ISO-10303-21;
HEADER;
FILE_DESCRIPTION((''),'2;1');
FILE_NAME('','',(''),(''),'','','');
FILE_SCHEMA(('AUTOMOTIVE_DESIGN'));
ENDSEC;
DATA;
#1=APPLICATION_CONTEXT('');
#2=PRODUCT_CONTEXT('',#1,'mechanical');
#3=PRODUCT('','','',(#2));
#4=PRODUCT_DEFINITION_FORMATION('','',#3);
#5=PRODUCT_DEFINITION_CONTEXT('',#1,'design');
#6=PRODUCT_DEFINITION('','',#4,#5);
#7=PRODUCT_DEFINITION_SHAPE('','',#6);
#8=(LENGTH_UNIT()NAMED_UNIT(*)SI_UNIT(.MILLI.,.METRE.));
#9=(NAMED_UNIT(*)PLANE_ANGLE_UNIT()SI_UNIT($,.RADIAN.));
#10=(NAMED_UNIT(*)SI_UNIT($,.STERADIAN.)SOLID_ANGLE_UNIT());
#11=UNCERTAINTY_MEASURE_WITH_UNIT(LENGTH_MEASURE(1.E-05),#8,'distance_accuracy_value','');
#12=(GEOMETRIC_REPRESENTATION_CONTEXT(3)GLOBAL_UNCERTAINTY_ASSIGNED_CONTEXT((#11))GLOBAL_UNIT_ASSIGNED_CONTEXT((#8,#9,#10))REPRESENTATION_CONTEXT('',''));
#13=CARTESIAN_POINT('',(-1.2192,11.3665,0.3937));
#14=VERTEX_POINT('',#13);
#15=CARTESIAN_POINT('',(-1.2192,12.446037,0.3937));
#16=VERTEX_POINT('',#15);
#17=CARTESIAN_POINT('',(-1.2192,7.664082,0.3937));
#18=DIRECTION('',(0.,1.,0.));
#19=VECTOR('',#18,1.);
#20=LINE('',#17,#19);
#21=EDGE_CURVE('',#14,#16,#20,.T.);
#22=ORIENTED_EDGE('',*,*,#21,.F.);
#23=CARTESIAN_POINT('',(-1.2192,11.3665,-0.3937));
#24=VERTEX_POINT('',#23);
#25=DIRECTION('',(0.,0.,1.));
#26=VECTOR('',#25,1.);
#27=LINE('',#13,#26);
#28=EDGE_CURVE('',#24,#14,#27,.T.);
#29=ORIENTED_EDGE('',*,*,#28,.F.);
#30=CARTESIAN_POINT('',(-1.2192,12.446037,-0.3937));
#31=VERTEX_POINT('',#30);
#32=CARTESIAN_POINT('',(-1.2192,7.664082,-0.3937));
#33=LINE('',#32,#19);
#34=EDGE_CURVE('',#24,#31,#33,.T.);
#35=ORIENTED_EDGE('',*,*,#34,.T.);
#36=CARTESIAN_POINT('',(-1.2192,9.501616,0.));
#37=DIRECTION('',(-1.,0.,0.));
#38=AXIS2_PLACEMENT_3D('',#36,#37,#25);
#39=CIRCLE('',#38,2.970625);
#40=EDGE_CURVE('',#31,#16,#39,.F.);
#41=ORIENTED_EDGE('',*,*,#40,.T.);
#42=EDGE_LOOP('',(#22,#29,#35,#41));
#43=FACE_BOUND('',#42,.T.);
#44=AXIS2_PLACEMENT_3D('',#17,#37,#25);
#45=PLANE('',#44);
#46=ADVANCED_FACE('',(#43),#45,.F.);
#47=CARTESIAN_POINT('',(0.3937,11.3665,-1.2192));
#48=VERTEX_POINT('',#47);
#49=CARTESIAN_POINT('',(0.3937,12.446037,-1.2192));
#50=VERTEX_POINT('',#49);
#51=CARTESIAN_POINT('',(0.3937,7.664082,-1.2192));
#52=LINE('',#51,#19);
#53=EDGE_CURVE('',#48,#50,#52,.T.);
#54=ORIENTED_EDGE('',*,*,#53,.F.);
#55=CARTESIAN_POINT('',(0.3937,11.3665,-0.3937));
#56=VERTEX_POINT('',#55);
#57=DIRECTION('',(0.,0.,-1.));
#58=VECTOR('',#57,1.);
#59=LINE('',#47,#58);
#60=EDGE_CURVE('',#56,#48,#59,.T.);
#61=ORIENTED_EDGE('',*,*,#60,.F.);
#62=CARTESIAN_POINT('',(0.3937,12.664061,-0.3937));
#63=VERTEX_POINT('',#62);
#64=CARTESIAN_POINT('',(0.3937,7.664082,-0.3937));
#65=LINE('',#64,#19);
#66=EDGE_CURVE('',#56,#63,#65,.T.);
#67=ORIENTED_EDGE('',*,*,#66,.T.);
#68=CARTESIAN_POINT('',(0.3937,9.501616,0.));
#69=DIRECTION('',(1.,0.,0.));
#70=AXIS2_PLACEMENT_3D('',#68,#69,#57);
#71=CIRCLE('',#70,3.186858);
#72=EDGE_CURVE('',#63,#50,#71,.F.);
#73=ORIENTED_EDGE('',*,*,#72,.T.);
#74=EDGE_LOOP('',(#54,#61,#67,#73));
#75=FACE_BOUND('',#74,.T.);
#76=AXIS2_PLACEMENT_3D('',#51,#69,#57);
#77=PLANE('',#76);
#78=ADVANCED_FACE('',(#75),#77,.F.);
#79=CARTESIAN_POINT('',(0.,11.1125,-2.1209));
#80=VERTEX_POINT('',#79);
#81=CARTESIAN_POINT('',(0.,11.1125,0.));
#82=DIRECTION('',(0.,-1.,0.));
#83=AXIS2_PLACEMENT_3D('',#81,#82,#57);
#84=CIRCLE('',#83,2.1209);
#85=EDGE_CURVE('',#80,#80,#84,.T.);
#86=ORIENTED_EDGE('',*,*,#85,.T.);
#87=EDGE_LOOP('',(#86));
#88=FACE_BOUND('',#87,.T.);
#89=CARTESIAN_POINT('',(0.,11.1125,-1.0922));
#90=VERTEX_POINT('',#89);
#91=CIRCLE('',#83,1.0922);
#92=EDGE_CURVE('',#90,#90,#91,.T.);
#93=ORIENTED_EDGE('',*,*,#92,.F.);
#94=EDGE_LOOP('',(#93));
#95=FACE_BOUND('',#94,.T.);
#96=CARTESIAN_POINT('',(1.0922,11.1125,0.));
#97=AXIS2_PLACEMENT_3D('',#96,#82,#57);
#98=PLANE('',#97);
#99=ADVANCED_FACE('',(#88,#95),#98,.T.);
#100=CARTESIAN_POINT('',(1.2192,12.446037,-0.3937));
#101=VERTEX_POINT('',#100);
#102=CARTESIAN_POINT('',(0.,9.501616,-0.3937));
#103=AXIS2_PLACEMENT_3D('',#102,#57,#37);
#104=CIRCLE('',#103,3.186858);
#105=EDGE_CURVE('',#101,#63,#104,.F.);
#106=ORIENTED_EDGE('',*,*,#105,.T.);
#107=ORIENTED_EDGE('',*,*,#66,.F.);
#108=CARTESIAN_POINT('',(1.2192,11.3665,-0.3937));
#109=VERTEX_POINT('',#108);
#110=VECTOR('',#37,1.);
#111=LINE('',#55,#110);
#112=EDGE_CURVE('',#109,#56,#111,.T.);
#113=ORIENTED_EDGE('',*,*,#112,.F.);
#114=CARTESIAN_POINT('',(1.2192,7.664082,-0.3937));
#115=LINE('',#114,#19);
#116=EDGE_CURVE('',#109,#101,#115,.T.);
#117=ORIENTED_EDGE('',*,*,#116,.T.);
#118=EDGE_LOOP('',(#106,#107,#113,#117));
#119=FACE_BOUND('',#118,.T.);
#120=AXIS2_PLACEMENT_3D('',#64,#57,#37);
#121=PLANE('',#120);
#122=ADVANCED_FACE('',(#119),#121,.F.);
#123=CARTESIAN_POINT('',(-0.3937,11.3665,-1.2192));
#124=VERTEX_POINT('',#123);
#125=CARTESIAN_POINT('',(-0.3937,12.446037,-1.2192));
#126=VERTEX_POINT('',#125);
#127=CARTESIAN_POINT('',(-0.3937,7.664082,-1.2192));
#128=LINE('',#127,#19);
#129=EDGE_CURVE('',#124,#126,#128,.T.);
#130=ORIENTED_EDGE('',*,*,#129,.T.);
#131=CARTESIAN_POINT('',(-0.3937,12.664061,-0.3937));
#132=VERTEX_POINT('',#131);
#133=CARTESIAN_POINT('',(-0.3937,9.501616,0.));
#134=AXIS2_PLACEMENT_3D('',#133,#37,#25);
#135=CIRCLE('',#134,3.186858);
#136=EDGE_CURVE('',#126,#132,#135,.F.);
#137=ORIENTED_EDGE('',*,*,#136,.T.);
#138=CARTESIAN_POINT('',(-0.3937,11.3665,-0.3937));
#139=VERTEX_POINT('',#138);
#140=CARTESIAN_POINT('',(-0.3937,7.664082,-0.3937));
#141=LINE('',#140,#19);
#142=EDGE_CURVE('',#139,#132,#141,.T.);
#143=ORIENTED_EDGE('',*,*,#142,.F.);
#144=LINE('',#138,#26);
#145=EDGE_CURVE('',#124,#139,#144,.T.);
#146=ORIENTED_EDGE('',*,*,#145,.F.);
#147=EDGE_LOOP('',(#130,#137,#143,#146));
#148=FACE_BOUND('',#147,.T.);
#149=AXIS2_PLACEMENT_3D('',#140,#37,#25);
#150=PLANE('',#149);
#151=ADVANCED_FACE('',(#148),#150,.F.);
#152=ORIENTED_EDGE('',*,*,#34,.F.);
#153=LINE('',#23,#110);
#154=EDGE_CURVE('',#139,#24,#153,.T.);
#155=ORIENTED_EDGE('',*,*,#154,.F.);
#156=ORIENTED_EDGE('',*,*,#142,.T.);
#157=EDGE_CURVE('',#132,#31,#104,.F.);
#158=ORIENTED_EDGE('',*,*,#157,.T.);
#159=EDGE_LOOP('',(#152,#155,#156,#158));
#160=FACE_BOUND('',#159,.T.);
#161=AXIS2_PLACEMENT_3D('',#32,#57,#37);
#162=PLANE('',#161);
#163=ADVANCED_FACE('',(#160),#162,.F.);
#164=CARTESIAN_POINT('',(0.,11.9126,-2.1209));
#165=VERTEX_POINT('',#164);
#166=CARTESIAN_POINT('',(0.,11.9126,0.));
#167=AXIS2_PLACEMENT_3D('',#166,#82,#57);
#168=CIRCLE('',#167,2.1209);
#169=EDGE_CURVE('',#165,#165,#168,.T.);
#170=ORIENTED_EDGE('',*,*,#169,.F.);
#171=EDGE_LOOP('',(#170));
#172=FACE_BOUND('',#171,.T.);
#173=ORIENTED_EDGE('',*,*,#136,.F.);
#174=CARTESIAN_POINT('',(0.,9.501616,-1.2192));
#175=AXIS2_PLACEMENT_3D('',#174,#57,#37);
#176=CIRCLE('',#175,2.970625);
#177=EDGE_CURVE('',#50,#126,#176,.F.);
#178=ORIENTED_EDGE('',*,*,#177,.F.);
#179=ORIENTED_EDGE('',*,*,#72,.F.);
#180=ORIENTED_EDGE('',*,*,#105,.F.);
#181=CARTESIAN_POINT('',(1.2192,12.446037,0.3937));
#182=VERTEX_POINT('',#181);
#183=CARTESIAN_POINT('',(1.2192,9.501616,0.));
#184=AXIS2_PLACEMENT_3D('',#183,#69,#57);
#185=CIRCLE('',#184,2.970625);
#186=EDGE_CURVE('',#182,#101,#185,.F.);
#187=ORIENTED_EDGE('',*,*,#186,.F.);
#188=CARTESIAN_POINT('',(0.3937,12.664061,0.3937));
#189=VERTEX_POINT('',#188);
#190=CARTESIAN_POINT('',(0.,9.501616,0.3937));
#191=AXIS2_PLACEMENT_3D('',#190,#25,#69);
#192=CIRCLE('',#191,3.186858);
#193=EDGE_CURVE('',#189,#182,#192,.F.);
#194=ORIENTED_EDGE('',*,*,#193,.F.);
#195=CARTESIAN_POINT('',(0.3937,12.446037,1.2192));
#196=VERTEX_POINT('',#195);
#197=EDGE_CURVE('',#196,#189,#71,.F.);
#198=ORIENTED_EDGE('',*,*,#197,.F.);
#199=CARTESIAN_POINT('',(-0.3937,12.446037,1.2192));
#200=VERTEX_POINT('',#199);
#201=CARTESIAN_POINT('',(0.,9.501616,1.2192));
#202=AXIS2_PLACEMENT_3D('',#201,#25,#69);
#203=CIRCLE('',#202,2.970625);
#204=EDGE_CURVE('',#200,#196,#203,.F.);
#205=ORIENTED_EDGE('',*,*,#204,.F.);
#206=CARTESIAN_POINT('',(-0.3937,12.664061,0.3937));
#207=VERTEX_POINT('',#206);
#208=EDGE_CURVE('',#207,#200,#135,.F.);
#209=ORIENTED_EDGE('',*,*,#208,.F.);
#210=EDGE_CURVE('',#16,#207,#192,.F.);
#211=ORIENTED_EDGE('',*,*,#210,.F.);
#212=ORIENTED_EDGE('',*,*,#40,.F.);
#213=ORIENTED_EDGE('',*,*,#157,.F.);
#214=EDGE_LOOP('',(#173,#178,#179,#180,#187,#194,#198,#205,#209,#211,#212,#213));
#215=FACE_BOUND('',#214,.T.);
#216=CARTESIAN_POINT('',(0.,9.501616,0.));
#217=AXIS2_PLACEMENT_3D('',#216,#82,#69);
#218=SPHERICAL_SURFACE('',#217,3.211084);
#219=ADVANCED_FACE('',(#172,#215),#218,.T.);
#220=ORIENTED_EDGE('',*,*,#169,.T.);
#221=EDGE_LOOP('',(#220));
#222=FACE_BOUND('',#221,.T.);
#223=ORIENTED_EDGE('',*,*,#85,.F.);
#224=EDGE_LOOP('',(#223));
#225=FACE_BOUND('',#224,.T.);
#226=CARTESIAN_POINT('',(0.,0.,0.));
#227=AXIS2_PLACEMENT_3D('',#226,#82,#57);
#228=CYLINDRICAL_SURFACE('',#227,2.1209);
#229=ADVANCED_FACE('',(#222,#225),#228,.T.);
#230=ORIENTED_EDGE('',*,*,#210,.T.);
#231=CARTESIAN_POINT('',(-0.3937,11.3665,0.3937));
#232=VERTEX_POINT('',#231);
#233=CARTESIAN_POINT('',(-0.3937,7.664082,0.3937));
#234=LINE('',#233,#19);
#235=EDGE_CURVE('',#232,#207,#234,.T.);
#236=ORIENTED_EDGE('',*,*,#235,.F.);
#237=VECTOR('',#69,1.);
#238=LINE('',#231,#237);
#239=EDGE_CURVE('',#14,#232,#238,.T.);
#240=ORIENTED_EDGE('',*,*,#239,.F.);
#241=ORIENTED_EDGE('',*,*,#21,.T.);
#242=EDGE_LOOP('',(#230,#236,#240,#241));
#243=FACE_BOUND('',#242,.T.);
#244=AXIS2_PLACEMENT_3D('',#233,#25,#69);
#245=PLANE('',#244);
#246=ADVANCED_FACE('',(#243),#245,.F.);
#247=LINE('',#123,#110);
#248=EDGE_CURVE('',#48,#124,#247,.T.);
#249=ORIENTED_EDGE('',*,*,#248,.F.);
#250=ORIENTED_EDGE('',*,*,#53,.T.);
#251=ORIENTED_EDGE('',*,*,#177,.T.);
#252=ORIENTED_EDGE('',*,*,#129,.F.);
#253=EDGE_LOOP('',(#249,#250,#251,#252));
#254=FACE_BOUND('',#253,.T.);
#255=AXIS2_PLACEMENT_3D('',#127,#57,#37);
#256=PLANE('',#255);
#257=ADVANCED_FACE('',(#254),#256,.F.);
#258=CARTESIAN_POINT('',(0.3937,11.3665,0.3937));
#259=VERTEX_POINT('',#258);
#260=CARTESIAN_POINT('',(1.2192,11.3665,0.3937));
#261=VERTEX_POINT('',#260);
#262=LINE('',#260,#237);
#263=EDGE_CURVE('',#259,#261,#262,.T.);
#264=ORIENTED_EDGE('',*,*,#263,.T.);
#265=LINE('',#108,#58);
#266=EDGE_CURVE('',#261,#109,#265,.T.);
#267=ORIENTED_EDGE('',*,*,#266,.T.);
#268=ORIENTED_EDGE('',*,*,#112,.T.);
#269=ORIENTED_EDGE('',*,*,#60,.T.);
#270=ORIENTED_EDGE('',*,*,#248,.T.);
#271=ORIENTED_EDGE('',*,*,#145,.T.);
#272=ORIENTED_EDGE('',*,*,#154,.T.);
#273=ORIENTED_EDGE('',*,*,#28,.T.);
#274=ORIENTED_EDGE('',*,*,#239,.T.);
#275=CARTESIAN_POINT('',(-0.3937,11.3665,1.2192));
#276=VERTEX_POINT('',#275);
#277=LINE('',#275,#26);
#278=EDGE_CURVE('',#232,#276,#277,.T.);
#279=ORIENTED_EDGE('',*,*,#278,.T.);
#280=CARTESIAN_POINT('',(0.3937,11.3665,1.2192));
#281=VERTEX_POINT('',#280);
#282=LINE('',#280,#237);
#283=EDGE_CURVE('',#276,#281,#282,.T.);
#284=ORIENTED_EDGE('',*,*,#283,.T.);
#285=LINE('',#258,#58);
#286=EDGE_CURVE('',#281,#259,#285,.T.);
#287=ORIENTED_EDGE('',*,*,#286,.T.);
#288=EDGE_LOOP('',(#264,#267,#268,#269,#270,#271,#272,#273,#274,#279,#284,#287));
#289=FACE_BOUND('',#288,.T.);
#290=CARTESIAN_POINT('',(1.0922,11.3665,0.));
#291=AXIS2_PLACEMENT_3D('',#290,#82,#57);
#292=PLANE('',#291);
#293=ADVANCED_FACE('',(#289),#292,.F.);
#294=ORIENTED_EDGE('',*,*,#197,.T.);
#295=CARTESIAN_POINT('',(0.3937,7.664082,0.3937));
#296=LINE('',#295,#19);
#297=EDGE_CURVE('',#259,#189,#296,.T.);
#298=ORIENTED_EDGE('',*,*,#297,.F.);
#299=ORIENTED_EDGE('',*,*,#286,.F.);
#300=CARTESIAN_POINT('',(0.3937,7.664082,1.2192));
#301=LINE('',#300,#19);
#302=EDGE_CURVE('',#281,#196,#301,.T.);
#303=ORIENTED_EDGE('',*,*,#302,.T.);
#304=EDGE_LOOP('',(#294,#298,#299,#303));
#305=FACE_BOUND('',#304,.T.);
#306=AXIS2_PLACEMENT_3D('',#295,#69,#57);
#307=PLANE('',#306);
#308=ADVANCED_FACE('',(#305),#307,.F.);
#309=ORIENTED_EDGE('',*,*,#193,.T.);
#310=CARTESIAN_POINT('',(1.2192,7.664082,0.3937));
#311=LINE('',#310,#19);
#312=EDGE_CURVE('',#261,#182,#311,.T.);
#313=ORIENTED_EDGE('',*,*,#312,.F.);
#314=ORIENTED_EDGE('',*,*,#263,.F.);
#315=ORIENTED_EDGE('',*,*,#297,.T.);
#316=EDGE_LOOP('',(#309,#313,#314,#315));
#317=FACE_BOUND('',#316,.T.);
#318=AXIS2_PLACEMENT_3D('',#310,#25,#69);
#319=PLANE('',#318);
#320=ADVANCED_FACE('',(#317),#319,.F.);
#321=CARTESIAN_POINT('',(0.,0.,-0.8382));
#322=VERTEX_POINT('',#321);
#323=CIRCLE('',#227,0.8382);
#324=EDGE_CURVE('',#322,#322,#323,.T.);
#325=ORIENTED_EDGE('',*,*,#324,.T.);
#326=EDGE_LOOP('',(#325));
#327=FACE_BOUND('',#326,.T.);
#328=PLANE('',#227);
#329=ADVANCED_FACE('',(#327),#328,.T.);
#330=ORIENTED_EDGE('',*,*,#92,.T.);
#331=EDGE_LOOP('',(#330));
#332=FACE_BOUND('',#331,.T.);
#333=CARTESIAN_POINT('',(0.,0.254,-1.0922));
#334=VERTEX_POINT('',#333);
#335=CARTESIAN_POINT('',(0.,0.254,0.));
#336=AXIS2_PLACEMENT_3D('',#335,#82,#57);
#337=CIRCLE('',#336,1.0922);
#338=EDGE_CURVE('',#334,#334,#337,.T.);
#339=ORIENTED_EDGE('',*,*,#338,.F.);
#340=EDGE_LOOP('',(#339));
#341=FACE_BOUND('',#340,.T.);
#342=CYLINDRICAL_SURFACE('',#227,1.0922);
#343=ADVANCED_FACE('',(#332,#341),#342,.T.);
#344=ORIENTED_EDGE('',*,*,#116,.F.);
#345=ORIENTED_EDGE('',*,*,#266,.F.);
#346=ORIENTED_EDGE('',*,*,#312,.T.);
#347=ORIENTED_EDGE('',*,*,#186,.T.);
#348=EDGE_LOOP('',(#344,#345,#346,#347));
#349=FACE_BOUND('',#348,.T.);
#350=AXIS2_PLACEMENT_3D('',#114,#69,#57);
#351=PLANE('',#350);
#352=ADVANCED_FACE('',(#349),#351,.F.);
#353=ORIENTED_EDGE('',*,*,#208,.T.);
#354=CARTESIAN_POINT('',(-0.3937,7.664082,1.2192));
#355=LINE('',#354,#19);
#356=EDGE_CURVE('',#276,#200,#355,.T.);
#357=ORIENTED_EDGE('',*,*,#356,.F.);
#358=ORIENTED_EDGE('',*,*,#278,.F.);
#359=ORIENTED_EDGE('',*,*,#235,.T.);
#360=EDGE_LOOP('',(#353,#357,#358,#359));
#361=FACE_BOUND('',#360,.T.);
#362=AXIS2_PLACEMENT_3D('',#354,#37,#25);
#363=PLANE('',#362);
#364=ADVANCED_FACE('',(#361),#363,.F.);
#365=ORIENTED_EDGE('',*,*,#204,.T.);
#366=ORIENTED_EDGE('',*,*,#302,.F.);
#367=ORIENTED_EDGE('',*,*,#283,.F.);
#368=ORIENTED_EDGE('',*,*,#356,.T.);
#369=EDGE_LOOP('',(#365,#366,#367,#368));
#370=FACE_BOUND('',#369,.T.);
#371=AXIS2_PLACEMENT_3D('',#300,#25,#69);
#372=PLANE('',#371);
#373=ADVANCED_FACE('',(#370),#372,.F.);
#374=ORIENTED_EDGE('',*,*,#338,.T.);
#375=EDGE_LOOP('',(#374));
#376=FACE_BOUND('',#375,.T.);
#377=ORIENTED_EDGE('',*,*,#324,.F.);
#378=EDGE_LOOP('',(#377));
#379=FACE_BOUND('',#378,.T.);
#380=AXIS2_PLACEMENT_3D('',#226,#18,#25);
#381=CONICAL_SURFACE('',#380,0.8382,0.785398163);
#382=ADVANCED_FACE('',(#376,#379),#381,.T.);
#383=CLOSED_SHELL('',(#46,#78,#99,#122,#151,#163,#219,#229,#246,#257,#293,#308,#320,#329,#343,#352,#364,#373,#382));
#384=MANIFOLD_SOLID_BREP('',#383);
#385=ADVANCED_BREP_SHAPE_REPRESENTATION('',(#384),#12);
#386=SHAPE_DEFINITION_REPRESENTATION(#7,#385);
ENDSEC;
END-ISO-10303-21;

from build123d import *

# Parameters (mm, degrees)
CUT_EXTRUDE1_DEPTH = 1.3462


with BuildPart() as part:
    # Sketch1 → Revolve1 (revolve)
    with BuildSketch(Plane.XY, mode=Mode.PRIVATE) as revolve1_sk:
        with BuildLine():
            Line((0, 12.7127), (0, 0))
            Line((0, 0), (0.8382, 0))
            Line((0.8382, 0), (1.0922, 0.254))
            Line((1.0922, 0.254), (1.0922, 11.1125))
            Line((1.0922, 11.1125), (2.1209, 11.1125))
            Line((2.1209, 11.1125), (2.1209, 11.9126))
            ThreePointArc((2.1209, 11.9126), (1.133399402, 12.506023812), (0, 12.7127))
        make_face()
    revolve(revolve1_sk.sketch.rotate(Axis((0, 0, 0), (0, 1, 0)), 90), axis=Axis((0, 0, 0), (0, 1, 0)))

    # Sketch2 → Cut-Extrude1 (cut)
    with BuildSketch(Plane(origin=(0, 12.7127, 0), x_dir=(1, 0, 0), z_dir=(0, 1, 0))):
        Polygon((-0.3937, 0.3937), (-0.3937, 1.2192), (0.3937, 1.2192), (0.3937, 0.3937), (1.2192, 0.3937), (1.2192, -0.3937), (0.3937, -0.3937), (0.3937, -1.2192), (-0.3937, -1.2192), (-0.3937, -0.3937), (-1.2192, -0.3937), (-1.2192, 0.3937), align=None)
    extrude(amount=-CUT_EXTRUDE1_DEPTH, mode=Mode.SUBTRACT)


solid = part.part
